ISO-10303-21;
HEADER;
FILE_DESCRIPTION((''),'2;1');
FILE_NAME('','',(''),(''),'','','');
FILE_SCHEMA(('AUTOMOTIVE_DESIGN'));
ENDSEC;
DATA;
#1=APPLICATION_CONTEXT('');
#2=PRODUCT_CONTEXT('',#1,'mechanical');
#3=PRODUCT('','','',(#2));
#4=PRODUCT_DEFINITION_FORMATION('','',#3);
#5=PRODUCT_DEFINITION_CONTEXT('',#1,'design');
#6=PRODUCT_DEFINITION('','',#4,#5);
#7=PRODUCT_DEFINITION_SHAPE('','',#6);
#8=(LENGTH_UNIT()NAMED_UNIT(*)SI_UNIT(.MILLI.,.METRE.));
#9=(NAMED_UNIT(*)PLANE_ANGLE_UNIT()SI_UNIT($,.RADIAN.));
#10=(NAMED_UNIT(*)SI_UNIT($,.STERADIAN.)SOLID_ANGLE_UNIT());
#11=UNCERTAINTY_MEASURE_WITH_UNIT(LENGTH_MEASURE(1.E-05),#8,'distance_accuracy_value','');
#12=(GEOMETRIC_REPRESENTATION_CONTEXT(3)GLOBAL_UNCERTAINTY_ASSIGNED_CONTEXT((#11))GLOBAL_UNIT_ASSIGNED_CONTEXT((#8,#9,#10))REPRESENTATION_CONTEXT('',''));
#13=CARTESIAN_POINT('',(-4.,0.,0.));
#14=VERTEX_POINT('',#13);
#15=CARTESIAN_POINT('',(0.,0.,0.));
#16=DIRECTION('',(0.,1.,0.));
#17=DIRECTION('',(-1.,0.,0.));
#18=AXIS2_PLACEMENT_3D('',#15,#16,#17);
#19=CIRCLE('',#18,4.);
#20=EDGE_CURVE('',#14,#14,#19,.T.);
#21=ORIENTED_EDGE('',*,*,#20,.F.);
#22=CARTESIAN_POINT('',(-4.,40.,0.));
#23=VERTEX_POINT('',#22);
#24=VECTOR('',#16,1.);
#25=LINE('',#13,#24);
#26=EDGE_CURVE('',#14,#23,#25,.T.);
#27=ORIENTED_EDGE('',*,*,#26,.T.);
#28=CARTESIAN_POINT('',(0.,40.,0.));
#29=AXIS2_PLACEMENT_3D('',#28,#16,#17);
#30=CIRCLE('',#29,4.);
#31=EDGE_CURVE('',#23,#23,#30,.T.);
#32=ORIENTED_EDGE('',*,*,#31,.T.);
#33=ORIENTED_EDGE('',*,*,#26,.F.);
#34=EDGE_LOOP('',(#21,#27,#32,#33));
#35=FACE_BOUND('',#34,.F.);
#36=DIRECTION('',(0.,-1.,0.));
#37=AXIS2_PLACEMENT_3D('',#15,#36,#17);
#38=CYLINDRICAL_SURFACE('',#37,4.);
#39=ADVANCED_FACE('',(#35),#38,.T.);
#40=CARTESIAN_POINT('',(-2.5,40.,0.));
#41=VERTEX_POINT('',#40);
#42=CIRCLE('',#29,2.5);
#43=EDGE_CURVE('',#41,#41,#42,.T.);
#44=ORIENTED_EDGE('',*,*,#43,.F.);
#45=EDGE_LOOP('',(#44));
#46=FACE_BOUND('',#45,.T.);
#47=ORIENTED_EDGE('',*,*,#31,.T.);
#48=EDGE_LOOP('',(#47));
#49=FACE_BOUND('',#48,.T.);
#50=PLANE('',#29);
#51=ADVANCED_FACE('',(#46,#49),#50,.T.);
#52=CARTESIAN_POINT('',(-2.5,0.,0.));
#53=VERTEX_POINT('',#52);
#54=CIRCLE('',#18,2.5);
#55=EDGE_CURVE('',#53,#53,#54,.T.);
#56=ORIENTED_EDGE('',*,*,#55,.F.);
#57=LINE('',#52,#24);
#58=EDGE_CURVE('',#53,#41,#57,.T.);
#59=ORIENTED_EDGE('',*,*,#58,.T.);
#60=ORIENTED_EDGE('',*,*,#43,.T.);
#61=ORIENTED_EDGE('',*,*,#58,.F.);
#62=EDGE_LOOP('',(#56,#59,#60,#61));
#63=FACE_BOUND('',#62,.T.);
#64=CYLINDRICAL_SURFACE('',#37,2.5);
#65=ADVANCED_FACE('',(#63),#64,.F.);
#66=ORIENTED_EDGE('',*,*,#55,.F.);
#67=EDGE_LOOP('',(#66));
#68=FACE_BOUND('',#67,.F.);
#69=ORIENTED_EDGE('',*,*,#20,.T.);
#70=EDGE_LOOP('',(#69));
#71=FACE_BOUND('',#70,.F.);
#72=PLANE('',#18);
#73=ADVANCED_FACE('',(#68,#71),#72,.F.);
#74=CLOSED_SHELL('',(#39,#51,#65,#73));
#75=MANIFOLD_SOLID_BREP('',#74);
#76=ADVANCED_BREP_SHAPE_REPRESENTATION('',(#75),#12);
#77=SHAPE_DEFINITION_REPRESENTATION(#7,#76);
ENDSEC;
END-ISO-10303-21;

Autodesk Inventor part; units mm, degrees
ref_plane "YZ Plane" through (0, 0, 0) normal (1, 0, 0) x (0, 1, 0)
ref_plane "XZ Plane" through (0, 0, 0) normal (0, 1, 0) x (-1, 0, 0)
ref_plane "XY Plane" through (0, 0, 0) normal (0, 0, 1) x (1, 0, 0)
sketch "Sketch1" plane through (0, 0, 0) normal (0, 1, 0) x (-1, 0, 0)
  circle A0 centre (0, 0) radius 2.5
  circle A1 centre (0, 0) radius 4
  dimension "d0" = 5
  dimension "d1" = 1.5
extrude "Extrusion1" add sketch "Sketch1" along normal blind 40
properties part number "pilar"
